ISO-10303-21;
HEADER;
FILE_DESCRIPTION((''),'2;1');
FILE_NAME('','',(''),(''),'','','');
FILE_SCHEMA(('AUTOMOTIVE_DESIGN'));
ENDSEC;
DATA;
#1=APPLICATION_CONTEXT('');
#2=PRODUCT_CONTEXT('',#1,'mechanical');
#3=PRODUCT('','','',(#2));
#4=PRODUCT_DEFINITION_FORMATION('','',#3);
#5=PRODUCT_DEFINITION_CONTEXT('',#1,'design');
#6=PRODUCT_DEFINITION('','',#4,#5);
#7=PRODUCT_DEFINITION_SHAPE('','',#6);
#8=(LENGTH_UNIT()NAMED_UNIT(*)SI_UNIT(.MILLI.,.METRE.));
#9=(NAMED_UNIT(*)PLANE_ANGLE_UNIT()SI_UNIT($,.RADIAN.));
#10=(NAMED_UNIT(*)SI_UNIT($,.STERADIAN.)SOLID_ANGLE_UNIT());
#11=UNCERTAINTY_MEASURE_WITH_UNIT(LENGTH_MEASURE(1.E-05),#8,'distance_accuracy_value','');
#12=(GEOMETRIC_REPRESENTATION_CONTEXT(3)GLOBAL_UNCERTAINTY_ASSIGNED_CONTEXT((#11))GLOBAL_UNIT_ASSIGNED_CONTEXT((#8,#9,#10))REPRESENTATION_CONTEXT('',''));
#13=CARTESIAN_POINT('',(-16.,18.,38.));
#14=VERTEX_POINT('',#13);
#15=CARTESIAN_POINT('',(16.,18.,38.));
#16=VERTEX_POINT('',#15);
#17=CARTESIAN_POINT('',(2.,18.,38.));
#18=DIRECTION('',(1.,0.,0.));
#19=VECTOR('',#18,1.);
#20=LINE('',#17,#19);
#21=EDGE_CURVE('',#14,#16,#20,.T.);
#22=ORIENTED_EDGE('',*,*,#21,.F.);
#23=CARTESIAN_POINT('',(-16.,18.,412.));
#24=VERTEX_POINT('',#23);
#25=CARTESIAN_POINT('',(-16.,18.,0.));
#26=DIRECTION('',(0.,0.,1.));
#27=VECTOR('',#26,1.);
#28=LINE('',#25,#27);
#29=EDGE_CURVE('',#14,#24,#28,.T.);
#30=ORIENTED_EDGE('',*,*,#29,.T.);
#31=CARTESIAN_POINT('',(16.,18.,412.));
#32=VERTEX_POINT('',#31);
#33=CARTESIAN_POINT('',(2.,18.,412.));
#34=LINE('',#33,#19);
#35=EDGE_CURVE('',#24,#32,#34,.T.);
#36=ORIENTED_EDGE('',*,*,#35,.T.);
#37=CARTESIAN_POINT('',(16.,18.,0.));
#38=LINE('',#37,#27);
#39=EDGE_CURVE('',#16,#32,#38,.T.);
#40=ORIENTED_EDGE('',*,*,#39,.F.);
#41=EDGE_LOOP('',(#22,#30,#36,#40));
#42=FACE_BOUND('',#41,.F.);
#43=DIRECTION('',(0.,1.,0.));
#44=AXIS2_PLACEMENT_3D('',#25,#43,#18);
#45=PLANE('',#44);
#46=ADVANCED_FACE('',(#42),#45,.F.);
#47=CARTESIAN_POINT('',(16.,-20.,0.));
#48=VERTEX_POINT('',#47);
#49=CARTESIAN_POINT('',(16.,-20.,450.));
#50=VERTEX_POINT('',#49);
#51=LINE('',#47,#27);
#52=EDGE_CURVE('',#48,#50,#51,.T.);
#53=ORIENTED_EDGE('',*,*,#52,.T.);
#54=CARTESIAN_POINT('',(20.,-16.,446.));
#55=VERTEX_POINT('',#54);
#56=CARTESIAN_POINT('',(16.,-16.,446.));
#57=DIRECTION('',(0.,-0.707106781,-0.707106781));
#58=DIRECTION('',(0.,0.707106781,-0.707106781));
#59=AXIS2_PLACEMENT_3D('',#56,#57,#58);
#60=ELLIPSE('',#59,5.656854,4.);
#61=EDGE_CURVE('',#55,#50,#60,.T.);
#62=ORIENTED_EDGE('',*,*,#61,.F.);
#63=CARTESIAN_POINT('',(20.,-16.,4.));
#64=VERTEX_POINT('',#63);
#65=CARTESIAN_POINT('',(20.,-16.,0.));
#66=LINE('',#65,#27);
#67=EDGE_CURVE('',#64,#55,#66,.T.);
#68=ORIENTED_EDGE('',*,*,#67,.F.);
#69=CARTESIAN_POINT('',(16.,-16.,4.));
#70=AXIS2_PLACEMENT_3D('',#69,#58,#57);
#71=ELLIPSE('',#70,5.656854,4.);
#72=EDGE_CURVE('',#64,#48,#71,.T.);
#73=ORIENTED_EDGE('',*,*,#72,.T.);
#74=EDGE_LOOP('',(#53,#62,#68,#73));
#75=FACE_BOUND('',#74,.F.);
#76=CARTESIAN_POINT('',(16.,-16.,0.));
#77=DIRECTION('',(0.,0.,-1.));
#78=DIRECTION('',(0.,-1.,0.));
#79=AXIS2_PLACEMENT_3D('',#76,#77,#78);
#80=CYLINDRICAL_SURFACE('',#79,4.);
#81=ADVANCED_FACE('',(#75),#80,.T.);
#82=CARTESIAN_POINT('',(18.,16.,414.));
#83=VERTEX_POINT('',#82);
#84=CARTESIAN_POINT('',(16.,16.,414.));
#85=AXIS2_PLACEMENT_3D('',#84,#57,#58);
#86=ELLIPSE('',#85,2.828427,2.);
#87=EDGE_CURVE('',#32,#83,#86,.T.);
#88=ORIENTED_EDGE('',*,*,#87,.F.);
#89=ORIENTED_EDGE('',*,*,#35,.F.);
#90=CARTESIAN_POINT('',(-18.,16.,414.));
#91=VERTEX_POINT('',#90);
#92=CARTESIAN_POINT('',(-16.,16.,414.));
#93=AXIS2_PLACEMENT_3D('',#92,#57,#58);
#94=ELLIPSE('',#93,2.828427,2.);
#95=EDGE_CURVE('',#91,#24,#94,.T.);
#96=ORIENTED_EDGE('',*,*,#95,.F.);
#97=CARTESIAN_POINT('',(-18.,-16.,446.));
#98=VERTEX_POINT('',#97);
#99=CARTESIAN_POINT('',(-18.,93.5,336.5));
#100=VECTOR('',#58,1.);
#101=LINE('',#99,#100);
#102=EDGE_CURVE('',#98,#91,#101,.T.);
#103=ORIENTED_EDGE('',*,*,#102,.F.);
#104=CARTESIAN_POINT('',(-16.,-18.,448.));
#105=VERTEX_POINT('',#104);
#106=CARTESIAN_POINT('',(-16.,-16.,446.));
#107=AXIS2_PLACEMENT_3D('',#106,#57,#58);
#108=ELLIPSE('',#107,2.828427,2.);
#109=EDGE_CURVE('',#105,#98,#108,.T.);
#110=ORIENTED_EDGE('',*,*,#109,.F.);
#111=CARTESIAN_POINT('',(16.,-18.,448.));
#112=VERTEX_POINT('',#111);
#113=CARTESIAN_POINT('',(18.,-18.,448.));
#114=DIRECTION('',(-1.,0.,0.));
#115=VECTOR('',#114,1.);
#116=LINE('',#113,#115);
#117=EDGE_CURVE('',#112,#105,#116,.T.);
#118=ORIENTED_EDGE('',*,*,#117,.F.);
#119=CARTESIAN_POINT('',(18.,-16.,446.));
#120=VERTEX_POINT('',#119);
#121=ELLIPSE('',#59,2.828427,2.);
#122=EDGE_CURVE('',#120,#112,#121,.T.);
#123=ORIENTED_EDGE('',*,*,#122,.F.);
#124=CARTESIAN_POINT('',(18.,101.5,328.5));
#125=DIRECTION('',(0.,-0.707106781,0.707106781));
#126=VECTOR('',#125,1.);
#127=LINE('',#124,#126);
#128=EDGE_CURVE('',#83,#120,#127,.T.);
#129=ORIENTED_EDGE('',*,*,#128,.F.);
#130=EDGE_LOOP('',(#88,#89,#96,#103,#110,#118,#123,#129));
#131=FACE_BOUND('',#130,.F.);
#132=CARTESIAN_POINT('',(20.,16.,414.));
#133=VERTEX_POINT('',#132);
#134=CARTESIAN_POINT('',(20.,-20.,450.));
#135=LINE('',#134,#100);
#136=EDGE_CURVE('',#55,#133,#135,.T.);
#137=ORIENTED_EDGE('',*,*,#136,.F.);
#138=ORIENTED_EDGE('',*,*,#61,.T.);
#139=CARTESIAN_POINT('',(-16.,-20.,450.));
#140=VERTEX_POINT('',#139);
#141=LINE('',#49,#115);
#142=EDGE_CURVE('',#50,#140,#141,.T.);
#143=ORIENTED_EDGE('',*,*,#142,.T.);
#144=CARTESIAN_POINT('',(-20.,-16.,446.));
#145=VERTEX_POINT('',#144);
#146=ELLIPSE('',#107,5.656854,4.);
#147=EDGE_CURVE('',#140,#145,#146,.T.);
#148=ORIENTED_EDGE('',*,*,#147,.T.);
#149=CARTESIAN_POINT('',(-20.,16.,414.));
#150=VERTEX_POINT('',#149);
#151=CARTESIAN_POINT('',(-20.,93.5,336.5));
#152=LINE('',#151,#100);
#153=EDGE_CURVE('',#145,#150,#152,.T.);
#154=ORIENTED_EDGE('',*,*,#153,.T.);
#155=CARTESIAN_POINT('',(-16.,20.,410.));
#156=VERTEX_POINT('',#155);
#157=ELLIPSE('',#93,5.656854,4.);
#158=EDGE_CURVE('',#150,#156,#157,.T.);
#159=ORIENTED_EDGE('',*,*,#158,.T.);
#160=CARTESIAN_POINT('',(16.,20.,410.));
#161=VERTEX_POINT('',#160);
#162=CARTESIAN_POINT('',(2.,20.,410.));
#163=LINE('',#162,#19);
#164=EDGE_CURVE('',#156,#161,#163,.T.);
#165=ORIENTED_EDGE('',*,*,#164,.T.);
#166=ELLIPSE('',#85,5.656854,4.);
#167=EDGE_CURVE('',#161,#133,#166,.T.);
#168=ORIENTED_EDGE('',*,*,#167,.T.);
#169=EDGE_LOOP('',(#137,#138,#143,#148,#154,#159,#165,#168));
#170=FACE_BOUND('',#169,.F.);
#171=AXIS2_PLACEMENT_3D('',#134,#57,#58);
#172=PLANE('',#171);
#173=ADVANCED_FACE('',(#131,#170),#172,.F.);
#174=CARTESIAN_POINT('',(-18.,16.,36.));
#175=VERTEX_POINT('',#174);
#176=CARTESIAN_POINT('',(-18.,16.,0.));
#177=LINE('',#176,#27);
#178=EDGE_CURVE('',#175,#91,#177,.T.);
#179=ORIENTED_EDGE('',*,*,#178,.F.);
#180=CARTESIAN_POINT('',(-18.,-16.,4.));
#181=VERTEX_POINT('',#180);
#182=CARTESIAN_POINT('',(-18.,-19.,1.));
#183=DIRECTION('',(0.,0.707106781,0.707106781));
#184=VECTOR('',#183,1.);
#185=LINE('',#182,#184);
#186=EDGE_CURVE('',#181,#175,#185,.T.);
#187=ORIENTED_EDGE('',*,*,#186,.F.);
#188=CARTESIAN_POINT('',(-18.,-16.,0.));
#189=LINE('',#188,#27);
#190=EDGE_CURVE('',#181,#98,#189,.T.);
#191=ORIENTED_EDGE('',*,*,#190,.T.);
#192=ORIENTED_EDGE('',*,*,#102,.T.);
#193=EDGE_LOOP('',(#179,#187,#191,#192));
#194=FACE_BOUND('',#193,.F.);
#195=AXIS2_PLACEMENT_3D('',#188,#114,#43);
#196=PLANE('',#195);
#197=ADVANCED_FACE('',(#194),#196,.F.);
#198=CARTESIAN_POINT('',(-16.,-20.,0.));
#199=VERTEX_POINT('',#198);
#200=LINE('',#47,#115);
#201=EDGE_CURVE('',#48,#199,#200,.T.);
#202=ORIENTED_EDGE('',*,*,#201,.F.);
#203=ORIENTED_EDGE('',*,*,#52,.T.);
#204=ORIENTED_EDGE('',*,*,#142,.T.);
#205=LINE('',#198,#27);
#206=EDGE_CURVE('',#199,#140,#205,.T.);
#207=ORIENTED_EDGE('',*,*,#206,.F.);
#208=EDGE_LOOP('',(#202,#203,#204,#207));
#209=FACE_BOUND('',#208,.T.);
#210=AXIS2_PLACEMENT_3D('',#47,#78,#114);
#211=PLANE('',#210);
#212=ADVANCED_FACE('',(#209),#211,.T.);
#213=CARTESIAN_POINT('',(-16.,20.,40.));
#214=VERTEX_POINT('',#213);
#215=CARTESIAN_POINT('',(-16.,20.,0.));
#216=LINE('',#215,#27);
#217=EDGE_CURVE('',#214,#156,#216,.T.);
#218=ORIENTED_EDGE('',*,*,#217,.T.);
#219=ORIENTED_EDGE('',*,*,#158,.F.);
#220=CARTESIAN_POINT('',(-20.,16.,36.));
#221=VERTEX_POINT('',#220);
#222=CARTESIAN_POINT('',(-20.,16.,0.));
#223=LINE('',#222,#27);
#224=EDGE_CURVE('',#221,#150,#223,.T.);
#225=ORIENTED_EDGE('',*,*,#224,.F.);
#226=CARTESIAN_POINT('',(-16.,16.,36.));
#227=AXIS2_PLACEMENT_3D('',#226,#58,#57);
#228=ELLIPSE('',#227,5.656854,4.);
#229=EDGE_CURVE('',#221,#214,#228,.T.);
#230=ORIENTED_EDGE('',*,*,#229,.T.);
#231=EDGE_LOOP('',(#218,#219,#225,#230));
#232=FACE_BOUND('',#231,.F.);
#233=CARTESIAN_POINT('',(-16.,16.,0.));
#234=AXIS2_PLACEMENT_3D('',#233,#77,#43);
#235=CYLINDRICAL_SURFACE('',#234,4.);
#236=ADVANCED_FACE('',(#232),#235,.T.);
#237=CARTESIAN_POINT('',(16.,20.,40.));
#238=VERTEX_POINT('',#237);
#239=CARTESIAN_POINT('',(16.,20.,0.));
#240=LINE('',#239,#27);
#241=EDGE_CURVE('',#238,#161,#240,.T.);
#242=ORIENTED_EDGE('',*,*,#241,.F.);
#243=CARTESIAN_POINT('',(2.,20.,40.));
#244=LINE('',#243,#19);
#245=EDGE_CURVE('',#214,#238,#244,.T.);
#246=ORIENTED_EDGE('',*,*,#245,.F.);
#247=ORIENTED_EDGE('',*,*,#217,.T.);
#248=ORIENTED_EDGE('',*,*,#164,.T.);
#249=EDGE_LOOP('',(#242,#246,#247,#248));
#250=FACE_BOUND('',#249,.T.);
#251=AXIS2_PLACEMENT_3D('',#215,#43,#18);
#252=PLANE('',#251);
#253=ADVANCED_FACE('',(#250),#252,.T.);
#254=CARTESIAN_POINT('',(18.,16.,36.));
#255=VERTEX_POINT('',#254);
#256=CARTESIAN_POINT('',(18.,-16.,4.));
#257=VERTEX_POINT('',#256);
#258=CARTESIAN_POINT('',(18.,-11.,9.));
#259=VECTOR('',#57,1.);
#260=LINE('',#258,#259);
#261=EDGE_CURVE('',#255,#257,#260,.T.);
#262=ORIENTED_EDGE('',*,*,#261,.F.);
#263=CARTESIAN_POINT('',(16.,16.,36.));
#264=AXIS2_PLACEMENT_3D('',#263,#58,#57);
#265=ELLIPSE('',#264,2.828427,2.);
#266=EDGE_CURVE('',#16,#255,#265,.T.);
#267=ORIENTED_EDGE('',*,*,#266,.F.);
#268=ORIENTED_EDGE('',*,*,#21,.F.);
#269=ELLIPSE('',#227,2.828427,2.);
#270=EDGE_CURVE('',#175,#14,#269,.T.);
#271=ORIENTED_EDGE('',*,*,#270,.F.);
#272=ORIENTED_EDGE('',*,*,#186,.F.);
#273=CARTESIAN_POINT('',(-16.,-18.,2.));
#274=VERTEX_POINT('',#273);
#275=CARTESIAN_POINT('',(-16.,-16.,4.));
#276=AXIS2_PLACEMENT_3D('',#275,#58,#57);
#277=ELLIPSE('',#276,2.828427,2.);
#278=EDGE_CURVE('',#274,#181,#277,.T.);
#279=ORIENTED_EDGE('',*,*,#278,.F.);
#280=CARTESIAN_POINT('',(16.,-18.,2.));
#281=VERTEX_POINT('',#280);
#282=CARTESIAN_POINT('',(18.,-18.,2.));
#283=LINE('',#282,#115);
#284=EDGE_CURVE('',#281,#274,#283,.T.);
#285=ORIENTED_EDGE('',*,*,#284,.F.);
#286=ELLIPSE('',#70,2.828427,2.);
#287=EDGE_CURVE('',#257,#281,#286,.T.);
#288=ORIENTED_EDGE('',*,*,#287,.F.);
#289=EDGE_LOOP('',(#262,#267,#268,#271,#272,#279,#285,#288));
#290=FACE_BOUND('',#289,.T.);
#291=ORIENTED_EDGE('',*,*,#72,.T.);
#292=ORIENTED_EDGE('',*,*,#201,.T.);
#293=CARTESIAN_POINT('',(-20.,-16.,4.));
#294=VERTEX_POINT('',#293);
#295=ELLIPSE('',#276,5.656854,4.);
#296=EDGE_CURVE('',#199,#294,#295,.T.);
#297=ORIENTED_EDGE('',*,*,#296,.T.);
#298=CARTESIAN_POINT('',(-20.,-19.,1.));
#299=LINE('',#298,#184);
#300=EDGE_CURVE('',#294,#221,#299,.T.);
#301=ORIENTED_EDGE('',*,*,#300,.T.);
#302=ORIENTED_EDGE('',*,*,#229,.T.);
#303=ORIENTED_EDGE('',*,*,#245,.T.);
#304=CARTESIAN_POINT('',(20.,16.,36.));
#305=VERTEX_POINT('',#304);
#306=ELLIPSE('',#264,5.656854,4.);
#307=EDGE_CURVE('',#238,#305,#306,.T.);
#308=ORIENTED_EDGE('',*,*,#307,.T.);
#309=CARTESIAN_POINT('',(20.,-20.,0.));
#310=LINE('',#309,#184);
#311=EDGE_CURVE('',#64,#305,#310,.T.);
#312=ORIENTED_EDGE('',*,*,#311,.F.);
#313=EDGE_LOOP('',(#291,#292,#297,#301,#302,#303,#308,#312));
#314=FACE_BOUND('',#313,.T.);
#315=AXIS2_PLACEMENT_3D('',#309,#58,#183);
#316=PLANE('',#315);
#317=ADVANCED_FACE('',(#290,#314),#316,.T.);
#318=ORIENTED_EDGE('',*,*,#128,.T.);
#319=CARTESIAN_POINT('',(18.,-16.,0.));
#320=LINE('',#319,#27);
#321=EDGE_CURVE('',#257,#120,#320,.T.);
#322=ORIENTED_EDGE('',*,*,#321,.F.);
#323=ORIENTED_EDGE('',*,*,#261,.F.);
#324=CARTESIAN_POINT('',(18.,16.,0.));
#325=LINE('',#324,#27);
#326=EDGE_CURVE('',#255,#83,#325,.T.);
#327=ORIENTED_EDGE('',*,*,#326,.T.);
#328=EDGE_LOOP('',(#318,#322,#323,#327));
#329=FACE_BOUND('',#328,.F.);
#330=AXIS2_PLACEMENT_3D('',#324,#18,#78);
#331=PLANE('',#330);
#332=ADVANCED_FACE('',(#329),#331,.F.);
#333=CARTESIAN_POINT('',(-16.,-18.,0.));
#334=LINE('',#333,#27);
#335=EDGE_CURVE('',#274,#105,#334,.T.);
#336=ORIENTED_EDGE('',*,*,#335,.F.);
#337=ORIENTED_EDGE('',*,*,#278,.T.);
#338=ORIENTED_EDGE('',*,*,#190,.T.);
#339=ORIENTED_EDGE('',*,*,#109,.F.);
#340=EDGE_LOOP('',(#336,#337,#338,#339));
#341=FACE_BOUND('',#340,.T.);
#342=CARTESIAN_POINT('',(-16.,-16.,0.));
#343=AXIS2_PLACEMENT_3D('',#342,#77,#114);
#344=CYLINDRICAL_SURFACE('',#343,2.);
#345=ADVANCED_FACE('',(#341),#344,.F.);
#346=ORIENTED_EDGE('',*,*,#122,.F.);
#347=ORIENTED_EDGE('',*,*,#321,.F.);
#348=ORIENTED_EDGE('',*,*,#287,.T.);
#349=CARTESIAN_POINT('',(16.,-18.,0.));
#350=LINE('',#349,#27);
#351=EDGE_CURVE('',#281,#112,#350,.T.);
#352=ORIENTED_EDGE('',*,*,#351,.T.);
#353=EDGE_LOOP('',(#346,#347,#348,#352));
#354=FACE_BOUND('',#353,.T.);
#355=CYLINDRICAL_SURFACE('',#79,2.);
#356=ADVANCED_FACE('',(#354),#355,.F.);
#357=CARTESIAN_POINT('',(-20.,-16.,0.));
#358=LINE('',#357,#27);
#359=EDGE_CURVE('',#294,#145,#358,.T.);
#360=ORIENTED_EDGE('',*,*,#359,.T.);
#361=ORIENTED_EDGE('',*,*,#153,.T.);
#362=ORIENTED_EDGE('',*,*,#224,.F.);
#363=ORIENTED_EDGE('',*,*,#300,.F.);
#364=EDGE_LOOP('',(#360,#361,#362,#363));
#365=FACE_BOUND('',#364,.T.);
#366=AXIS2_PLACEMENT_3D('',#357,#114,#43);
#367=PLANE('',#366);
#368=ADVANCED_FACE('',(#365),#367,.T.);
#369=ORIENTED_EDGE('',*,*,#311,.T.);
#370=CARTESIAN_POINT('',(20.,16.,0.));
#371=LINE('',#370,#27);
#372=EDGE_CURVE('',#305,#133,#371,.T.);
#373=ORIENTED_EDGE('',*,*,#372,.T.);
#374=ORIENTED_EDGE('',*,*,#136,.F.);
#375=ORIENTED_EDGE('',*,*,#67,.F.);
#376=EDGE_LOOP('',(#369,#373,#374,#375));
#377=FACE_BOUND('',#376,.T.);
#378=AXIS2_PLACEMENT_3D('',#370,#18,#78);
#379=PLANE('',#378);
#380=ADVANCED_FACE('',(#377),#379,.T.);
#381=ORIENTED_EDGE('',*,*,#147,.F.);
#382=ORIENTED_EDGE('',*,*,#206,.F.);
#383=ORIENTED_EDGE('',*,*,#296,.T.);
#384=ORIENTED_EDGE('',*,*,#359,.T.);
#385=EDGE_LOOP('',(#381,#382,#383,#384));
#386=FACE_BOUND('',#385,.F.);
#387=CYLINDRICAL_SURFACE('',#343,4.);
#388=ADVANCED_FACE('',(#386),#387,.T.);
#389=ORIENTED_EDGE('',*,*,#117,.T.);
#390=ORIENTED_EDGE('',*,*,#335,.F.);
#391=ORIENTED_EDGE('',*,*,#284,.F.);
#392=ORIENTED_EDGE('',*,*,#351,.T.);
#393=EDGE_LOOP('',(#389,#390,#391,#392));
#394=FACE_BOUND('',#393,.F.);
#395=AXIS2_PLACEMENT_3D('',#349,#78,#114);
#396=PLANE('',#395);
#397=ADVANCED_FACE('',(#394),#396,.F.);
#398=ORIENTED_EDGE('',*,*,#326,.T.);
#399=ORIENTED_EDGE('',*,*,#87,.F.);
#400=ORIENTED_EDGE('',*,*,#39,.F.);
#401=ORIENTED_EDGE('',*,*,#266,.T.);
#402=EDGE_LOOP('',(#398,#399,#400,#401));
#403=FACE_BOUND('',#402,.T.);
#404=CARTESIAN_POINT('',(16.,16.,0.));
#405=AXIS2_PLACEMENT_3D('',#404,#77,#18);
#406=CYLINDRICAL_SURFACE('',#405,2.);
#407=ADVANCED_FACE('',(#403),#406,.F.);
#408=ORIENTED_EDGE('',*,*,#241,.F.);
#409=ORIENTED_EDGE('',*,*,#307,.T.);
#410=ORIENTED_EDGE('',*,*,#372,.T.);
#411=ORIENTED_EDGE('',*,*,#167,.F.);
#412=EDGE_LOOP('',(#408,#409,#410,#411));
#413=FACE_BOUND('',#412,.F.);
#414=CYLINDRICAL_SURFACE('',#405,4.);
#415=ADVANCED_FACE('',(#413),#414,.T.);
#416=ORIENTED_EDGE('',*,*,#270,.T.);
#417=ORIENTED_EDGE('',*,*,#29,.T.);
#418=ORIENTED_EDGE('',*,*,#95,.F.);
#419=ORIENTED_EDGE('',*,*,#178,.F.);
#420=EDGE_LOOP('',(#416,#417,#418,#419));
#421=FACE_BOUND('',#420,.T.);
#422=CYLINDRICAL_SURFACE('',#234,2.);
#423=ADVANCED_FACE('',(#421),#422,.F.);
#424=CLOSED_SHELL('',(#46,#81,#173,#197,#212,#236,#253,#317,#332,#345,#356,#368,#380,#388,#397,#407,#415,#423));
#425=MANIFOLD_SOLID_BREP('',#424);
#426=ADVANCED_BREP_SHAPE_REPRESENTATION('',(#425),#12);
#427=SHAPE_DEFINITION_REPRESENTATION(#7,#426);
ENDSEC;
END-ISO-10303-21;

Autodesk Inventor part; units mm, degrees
ref_plane "YZ Plane" through (0, 0, 0) normal (1, 0, 0) x (0, 1, 0)
ref_plane "Piano iniziale" through (0, 0, 0) normal (0, 0, 1) x (1, 0, 0)
ref_plane "Piano finale" through (0, 0, 450) normal (0, 0, 1) x (1, 0, 0)
sketch "Schizzo" plane through (0, 0, 0) normal (0, 0, 1) x (1, 0, 0)
  line L0 (-20, -16) -> (-20, 16)
  line L1 (-16, 20) -> (16, 20)
  line L2 (20, 16) -> (20, -16)
  line L3 (16, -20) -> (-16, -20)
  arc A0 (-20, -16) -> (-16, -20) centre (-16, -16) ccw
  arc A1 (20, 16) -> (16, 20) centre (16, 16) ccw
  arc A2 (-16, 20) -> (-20, 16) centre (-16, 16) ccw
  arc A3 (16, -20) -> (20, -16) centre (16, -16) ccw
  arc A4 (-16, 18) -> (-18, 16) centre (-16, 16) ccw
  line L4 (-16, 18) -> (16, 18)
  arc A5 (18, 16) -> (16, 18) centre (16, 16) ccw
  line L5 (18, 16) -> (18, -16)
  arc A6 (16, -18) -> (18, -16) centre (16, -16) ccw
  line L6 (16, -18) -> (-16, -18)
  arc A7 (-18, -16) -> (-16, -18) centre (-16, -16) ccw
  line L7 (-18, -16) -> (-18, 16)
  line L8 (0, 29.1598) -> (0, -29.1598) construction
  line L9 (-29.1598, 0) -> (29.1598, 0) construction
  dimension "d7" = 4
  dimension "d9" = 40
  dimension "d11" = 40
  dimension "d12" = 2
  dimension "d15" = 20
  dimension "d16" = 20
extrude "Corpo" add sketch "Schizzo" along normal up to surface (450 mm away) from surface at 0
sketch "Sketch3" plane through (0, 0, 0) normal (0, 0, 1) x (1, 0, 0)
  line L0 (0, 0) -> (10, 0)
ref_plane "Work Plane3" through (0, 0, 0) normal (0, -1, 0) x (1, 0, 0)
sketch "Sketch4" plane through (0, 0, 0) normal (0, -1, 0) x (1, 0, 0)
  line L0 (-2, 0) -> (12, 0)
  line L1 (-2, 450) -> (12, 450)
  dimension "d18" = 450
sketch "Schizzo5" plane through (20, -16, 450) normal (1, 0, 0) x (0, 0, -1)
  line L0 (0, -4) -> (0, 0) projected
  line L1 (0, -4) -> (61.1128, 57.1128)
  line L2 (0, -4) -> (86.4266, -4) construction
  line L3 (61.1128, 57.1128) -> (0, 57.1128)
  line L4 (0, 57.1128) -> (0, -4)
  line L5 (450, -4) -> (0, -4) projected
  line L6 (450, -4) -> (397.8527, 48.1473)
  line L7 (450, -4) -> (523.7474, -4) construction
  line L8 (397.8527, 48.1473) -> (450, 48.1473)
  line L9 (450, 48.1473) -> (450, -4)
  point P0 (450, 16)
  dimension "d19" = 45
  dimension "d20" = 135
extrude "Estrusione2" cut sketch "Schizzo5" against normal up to next
equation "\"d7\" = G_IR"
equation "\"d9\" = G_W"
equation "\"d11\" = G_H"
equation "\"d12\" = G_T"
equation "\"d15\" = 0.5 * d9"
equation "\"d16\" = 0.5 * d11"
equation "\"d3\" = G_L"
equation "\"G_W\" = 40"
equation "\"G_H\" = 40"
equation "\"G_T\" = 2"
equation "\"G_IR\" = 4"
equation "\"G_L\" = d18"
equation "\"G_OFFSET_START\" = 0"
equation "\"G_OFFSET_END\" = 0"
properties part number "ISO 10799-2 - 40x40x2 - 450" material "Acciaio, Dolce"
